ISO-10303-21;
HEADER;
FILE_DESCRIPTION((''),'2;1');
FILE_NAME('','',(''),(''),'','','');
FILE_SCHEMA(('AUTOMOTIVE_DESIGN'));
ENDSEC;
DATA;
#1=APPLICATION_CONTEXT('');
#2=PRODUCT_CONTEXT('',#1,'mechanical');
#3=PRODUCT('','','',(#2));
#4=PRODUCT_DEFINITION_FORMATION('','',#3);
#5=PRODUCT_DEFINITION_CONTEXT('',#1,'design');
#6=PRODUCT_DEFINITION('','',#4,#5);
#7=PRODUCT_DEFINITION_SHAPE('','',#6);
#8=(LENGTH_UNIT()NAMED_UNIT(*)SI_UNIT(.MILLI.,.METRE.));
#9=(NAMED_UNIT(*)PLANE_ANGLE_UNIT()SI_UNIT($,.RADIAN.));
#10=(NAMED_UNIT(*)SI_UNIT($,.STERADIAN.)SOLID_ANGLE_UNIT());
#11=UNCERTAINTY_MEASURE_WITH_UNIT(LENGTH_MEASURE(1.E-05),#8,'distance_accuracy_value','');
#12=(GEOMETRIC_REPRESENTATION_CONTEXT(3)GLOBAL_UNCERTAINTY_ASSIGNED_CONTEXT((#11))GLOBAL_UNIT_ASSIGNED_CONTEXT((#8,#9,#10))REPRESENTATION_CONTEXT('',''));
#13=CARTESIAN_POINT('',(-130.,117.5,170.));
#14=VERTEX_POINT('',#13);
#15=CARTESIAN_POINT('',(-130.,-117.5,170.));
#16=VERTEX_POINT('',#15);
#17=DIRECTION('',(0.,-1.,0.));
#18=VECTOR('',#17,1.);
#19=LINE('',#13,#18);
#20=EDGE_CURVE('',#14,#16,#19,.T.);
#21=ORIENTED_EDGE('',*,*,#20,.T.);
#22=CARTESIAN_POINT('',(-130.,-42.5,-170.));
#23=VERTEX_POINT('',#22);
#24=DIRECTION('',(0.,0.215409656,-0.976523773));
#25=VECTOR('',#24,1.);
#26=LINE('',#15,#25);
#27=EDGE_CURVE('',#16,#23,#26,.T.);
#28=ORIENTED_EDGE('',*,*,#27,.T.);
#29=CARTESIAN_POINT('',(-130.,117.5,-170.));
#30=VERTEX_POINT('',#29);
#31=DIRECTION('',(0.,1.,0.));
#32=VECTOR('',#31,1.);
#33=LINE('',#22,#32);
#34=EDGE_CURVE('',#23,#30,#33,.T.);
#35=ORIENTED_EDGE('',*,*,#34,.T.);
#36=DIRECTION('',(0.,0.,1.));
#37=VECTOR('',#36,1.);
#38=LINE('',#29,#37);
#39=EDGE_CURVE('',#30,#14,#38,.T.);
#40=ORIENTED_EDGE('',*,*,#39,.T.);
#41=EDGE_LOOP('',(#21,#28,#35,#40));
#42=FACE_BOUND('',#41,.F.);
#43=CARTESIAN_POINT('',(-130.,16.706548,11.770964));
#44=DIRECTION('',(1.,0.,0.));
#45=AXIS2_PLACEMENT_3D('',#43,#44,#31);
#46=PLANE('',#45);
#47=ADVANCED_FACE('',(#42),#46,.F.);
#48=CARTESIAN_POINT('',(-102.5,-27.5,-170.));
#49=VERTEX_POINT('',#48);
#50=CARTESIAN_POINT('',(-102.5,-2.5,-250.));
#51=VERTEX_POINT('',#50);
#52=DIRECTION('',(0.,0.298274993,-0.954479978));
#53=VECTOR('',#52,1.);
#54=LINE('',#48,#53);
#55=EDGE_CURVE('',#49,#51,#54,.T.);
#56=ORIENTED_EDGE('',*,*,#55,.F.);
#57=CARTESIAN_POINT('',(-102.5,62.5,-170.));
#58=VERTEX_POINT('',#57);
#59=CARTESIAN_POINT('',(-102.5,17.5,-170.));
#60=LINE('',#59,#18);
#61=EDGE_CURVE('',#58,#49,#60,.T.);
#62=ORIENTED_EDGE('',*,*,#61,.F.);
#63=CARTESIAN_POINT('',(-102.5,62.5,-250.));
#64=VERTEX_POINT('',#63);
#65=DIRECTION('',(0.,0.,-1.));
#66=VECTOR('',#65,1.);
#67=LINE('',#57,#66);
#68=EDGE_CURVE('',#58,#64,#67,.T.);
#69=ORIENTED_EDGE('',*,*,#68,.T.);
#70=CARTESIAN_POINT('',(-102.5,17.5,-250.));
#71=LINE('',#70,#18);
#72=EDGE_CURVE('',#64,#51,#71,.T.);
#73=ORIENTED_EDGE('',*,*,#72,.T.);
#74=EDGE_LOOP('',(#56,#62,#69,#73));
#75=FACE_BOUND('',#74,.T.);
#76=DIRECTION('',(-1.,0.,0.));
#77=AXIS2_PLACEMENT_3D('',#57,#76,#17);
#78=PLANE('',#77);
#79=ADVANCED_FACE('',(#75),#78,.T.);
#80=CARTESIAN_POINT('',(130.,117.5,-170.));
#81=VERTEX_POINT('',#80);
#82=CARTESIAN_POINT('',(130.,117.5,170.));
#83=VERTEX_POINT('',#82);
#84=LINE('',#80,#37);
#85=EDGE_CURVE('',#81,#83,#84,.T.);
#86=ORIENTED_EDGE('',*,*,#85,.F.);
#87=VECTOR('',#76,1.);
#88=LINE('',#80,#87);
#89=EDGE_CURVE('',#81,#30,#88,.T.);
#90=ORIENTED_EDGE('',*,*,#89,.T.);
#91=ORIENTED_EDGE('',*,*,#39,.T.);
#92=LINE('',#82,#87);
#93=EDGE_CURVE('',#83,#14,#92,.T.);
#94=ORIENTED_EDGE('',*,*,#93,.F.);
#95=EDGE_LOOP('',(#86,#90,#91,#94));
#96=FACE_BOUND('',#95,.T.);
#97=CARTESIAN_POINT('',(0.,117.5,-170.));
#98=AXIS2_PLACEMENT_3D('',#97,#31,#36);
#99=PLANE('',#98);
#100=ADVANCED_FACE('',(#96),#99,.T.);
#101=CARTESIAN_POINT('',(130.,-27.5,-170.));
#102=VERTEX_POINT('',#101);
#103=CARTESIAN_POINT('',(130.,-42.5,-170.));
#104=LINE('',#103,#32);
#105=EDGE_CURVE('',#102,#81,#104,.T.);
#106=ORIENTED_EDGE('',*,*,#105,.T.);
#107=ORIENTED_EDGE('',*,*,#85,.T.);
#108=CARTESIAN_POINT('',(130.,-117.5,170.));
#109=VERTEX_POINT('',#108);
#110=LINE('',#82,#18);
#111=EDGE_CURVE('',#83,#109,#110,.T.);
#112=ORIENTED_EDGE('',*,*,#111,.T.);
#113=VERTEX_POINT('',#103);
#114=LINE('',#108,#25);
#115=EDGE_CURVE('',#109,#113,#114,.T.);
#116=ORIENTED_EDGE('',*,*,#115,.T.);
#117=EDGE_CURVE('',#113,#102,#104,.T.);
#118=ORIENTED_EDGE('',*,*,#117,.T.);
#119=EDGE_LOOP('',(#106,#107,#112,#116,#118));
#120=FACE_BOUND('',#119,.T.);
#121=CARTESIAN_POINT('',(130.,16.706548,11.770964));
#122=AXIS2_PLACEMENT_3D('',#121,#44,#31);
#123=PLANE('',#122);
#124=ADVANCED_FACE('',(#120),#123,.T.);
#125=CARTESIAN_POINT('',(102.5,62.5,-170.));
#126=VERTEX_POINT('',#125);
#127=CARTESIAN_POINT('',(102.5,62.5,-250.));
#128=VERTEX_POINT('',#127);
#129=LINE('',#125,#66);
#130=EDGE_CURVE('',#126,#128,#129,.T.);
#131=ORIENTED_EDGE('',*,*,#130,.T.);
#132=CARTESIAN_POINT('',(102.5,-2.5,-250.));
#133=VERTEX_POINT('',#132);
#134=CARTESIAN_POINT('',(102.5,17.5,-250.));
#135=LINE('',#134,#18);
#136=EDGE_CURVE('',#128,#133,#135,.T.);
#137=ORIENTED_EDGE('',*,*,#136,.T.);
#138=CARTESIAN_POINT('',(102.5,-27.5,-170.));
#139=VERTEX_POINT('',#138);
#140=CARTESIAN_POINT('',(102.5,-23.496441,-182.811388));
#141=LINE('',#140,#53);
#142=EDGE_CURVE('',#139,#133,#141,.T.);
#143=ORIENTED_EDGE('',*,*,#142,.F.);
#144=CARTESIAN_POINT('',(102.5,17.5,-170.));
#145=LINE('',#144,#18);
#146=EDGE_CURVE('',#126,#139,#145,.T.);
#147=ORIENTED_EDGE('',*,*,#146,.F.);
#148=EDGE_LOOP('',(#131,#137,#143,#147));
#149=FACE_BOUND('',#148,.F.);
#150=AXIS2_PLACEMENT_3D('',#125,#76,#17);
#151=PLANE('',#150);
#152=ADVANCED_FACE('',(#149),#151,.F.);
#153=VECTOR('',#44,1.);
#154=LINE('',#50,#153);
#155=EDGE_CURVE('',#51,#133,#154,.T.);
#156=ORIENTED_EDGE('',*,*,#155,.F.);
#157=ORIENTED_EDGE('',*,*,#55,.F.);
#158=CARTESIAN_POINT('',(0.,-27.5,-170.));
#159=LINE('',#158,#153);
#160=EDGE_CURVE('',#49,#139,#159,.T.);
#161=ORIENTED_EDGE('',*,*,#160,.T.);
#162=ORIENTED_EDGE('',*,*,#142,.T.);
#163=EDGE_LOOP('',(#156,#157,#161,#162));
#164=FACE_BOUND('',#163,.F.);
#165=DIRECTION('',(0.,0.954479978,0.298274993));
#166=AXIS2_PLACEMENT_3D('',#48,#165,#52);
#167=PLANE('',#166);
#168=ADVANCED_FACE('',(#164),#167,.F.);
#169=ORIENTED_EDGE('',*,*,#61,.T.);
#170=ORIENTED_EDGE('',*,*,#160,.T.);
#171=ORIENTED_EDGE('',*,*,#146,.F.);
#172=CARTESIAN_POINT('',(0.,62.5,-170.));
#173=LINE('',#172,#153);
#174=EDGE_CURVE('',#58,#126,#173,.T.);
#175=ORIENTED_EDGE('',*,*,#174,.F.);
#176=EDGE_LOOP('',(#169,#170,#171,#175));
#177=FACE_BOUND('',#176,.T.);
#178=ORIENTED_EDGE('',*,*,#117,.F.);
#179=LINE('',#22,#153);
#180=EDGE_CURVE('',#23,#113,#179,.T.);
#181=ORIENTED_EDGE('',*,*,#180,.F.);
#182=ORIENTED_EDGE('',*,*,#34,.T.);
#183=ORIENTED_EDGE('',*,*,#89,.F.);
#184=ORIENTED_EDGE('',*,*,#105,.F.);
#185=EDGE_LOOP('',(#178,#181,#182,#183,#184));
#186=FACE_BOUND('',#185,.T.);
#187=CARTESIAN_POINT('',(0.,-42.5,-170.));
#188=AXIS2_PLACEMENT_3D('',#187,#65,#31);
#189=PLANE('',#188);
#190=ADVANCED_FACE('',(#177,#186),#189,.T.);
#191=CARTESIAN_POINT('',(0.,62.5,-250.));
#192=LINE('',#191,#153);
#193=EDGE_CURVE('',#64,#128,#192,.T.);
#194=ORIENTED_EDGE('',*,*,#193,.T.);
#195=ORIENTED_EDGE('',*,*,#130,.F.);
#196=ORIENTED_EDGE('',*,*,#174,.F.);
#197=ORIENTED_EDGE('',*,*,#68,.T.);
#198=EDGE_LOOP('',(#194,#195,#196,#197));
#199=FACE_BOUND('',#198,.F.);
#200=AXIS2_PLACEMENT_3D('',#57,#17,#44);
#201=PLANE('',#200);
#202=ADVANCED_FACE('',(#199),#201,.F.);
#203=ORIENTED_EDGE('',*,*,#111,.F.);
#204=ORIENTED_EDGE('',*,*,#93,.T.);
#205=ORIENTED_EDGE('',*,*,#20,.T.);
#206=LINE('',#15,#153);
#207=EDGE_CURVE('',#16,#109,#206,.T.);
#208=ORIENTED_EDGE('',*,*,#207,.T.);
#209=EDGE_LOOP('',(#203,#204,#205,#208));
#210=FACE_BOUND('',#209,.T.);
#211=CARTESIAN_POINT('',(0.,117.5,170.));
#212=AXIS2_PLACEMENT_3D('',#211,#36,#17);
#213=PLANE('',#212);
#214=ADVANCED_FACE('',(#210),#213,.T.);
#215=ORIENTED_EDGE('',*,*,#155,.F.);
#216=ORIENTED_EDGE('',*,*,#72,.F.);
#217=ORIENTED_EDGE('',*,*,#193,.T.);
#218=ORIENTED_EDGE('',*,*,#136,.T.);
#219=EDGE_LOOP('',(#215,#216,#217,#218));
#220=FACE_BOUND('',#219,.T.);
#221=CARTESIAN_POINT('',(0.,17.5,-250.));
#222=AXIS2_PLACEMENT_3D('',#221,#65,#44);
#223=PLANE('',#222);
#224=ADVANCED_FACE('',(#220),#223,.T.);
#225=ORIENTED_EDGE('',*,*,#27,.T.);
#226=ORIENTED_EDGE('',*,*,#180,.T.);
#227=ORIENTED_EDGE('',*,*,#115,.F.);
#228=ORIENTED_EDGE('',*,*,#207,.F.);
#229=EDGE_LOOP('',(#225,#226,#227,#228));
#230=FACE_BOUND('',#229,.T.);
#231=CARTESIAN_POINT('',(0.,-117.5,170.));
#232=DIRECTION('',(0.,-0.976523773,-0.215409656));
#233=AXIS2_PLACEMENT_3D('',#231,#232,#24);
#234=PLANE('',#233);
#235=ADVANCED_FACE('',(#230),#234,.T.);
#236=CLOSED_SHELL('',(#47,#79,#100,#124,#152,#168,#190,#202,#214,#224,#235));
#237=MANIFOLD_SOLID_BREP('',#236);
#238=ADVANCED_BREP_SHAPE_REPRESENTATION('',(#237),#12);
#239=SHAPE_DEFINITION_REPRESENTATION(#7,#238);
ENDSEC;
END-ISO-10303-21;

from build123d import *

# Parameters (mm, degrees)
F1_DEPTH = 130
F2_W     = 205
F2_H     = 90
F3_DEPTH = 80
F5_DEPTH = 232.501


with BuildPart() as f1:
    # F0 (on Right) → F1 (new body, symmetric)
    with BuildSketch(Plane.YZ):
        Polygon((117.5, 170), (-117.5, 170), (-42.5, -170), (117.5, -170), align=None)
    extrude(amount=F1_DEPTH, both=True)

    # F2 (on face) → F3 (join)
    with BuildSketch(Plane(origin=(0, 0, -170), x_dir=(1, 0, 0), z_dir=(0, 0, -1))):
        with Locations((0, -17.5)):
            Rectangle(F2_W, F2_H)
    extrude(amount=F3_DEPTH)

    # F4 (on face) → F5 (cut, through all)
    with BuildSketch(Plane(origin=(-102.5, 0, 0), x_dir=(0, -1, 0), z_dir=(-1, 0, 0))):
        Polygon((27.5, -250), (27.5, -170), (2.5, -250), align=None)
    extrude(amount=-F5_DEPTH, mode=Mode.SUBTRACT)


solid = f1.part
